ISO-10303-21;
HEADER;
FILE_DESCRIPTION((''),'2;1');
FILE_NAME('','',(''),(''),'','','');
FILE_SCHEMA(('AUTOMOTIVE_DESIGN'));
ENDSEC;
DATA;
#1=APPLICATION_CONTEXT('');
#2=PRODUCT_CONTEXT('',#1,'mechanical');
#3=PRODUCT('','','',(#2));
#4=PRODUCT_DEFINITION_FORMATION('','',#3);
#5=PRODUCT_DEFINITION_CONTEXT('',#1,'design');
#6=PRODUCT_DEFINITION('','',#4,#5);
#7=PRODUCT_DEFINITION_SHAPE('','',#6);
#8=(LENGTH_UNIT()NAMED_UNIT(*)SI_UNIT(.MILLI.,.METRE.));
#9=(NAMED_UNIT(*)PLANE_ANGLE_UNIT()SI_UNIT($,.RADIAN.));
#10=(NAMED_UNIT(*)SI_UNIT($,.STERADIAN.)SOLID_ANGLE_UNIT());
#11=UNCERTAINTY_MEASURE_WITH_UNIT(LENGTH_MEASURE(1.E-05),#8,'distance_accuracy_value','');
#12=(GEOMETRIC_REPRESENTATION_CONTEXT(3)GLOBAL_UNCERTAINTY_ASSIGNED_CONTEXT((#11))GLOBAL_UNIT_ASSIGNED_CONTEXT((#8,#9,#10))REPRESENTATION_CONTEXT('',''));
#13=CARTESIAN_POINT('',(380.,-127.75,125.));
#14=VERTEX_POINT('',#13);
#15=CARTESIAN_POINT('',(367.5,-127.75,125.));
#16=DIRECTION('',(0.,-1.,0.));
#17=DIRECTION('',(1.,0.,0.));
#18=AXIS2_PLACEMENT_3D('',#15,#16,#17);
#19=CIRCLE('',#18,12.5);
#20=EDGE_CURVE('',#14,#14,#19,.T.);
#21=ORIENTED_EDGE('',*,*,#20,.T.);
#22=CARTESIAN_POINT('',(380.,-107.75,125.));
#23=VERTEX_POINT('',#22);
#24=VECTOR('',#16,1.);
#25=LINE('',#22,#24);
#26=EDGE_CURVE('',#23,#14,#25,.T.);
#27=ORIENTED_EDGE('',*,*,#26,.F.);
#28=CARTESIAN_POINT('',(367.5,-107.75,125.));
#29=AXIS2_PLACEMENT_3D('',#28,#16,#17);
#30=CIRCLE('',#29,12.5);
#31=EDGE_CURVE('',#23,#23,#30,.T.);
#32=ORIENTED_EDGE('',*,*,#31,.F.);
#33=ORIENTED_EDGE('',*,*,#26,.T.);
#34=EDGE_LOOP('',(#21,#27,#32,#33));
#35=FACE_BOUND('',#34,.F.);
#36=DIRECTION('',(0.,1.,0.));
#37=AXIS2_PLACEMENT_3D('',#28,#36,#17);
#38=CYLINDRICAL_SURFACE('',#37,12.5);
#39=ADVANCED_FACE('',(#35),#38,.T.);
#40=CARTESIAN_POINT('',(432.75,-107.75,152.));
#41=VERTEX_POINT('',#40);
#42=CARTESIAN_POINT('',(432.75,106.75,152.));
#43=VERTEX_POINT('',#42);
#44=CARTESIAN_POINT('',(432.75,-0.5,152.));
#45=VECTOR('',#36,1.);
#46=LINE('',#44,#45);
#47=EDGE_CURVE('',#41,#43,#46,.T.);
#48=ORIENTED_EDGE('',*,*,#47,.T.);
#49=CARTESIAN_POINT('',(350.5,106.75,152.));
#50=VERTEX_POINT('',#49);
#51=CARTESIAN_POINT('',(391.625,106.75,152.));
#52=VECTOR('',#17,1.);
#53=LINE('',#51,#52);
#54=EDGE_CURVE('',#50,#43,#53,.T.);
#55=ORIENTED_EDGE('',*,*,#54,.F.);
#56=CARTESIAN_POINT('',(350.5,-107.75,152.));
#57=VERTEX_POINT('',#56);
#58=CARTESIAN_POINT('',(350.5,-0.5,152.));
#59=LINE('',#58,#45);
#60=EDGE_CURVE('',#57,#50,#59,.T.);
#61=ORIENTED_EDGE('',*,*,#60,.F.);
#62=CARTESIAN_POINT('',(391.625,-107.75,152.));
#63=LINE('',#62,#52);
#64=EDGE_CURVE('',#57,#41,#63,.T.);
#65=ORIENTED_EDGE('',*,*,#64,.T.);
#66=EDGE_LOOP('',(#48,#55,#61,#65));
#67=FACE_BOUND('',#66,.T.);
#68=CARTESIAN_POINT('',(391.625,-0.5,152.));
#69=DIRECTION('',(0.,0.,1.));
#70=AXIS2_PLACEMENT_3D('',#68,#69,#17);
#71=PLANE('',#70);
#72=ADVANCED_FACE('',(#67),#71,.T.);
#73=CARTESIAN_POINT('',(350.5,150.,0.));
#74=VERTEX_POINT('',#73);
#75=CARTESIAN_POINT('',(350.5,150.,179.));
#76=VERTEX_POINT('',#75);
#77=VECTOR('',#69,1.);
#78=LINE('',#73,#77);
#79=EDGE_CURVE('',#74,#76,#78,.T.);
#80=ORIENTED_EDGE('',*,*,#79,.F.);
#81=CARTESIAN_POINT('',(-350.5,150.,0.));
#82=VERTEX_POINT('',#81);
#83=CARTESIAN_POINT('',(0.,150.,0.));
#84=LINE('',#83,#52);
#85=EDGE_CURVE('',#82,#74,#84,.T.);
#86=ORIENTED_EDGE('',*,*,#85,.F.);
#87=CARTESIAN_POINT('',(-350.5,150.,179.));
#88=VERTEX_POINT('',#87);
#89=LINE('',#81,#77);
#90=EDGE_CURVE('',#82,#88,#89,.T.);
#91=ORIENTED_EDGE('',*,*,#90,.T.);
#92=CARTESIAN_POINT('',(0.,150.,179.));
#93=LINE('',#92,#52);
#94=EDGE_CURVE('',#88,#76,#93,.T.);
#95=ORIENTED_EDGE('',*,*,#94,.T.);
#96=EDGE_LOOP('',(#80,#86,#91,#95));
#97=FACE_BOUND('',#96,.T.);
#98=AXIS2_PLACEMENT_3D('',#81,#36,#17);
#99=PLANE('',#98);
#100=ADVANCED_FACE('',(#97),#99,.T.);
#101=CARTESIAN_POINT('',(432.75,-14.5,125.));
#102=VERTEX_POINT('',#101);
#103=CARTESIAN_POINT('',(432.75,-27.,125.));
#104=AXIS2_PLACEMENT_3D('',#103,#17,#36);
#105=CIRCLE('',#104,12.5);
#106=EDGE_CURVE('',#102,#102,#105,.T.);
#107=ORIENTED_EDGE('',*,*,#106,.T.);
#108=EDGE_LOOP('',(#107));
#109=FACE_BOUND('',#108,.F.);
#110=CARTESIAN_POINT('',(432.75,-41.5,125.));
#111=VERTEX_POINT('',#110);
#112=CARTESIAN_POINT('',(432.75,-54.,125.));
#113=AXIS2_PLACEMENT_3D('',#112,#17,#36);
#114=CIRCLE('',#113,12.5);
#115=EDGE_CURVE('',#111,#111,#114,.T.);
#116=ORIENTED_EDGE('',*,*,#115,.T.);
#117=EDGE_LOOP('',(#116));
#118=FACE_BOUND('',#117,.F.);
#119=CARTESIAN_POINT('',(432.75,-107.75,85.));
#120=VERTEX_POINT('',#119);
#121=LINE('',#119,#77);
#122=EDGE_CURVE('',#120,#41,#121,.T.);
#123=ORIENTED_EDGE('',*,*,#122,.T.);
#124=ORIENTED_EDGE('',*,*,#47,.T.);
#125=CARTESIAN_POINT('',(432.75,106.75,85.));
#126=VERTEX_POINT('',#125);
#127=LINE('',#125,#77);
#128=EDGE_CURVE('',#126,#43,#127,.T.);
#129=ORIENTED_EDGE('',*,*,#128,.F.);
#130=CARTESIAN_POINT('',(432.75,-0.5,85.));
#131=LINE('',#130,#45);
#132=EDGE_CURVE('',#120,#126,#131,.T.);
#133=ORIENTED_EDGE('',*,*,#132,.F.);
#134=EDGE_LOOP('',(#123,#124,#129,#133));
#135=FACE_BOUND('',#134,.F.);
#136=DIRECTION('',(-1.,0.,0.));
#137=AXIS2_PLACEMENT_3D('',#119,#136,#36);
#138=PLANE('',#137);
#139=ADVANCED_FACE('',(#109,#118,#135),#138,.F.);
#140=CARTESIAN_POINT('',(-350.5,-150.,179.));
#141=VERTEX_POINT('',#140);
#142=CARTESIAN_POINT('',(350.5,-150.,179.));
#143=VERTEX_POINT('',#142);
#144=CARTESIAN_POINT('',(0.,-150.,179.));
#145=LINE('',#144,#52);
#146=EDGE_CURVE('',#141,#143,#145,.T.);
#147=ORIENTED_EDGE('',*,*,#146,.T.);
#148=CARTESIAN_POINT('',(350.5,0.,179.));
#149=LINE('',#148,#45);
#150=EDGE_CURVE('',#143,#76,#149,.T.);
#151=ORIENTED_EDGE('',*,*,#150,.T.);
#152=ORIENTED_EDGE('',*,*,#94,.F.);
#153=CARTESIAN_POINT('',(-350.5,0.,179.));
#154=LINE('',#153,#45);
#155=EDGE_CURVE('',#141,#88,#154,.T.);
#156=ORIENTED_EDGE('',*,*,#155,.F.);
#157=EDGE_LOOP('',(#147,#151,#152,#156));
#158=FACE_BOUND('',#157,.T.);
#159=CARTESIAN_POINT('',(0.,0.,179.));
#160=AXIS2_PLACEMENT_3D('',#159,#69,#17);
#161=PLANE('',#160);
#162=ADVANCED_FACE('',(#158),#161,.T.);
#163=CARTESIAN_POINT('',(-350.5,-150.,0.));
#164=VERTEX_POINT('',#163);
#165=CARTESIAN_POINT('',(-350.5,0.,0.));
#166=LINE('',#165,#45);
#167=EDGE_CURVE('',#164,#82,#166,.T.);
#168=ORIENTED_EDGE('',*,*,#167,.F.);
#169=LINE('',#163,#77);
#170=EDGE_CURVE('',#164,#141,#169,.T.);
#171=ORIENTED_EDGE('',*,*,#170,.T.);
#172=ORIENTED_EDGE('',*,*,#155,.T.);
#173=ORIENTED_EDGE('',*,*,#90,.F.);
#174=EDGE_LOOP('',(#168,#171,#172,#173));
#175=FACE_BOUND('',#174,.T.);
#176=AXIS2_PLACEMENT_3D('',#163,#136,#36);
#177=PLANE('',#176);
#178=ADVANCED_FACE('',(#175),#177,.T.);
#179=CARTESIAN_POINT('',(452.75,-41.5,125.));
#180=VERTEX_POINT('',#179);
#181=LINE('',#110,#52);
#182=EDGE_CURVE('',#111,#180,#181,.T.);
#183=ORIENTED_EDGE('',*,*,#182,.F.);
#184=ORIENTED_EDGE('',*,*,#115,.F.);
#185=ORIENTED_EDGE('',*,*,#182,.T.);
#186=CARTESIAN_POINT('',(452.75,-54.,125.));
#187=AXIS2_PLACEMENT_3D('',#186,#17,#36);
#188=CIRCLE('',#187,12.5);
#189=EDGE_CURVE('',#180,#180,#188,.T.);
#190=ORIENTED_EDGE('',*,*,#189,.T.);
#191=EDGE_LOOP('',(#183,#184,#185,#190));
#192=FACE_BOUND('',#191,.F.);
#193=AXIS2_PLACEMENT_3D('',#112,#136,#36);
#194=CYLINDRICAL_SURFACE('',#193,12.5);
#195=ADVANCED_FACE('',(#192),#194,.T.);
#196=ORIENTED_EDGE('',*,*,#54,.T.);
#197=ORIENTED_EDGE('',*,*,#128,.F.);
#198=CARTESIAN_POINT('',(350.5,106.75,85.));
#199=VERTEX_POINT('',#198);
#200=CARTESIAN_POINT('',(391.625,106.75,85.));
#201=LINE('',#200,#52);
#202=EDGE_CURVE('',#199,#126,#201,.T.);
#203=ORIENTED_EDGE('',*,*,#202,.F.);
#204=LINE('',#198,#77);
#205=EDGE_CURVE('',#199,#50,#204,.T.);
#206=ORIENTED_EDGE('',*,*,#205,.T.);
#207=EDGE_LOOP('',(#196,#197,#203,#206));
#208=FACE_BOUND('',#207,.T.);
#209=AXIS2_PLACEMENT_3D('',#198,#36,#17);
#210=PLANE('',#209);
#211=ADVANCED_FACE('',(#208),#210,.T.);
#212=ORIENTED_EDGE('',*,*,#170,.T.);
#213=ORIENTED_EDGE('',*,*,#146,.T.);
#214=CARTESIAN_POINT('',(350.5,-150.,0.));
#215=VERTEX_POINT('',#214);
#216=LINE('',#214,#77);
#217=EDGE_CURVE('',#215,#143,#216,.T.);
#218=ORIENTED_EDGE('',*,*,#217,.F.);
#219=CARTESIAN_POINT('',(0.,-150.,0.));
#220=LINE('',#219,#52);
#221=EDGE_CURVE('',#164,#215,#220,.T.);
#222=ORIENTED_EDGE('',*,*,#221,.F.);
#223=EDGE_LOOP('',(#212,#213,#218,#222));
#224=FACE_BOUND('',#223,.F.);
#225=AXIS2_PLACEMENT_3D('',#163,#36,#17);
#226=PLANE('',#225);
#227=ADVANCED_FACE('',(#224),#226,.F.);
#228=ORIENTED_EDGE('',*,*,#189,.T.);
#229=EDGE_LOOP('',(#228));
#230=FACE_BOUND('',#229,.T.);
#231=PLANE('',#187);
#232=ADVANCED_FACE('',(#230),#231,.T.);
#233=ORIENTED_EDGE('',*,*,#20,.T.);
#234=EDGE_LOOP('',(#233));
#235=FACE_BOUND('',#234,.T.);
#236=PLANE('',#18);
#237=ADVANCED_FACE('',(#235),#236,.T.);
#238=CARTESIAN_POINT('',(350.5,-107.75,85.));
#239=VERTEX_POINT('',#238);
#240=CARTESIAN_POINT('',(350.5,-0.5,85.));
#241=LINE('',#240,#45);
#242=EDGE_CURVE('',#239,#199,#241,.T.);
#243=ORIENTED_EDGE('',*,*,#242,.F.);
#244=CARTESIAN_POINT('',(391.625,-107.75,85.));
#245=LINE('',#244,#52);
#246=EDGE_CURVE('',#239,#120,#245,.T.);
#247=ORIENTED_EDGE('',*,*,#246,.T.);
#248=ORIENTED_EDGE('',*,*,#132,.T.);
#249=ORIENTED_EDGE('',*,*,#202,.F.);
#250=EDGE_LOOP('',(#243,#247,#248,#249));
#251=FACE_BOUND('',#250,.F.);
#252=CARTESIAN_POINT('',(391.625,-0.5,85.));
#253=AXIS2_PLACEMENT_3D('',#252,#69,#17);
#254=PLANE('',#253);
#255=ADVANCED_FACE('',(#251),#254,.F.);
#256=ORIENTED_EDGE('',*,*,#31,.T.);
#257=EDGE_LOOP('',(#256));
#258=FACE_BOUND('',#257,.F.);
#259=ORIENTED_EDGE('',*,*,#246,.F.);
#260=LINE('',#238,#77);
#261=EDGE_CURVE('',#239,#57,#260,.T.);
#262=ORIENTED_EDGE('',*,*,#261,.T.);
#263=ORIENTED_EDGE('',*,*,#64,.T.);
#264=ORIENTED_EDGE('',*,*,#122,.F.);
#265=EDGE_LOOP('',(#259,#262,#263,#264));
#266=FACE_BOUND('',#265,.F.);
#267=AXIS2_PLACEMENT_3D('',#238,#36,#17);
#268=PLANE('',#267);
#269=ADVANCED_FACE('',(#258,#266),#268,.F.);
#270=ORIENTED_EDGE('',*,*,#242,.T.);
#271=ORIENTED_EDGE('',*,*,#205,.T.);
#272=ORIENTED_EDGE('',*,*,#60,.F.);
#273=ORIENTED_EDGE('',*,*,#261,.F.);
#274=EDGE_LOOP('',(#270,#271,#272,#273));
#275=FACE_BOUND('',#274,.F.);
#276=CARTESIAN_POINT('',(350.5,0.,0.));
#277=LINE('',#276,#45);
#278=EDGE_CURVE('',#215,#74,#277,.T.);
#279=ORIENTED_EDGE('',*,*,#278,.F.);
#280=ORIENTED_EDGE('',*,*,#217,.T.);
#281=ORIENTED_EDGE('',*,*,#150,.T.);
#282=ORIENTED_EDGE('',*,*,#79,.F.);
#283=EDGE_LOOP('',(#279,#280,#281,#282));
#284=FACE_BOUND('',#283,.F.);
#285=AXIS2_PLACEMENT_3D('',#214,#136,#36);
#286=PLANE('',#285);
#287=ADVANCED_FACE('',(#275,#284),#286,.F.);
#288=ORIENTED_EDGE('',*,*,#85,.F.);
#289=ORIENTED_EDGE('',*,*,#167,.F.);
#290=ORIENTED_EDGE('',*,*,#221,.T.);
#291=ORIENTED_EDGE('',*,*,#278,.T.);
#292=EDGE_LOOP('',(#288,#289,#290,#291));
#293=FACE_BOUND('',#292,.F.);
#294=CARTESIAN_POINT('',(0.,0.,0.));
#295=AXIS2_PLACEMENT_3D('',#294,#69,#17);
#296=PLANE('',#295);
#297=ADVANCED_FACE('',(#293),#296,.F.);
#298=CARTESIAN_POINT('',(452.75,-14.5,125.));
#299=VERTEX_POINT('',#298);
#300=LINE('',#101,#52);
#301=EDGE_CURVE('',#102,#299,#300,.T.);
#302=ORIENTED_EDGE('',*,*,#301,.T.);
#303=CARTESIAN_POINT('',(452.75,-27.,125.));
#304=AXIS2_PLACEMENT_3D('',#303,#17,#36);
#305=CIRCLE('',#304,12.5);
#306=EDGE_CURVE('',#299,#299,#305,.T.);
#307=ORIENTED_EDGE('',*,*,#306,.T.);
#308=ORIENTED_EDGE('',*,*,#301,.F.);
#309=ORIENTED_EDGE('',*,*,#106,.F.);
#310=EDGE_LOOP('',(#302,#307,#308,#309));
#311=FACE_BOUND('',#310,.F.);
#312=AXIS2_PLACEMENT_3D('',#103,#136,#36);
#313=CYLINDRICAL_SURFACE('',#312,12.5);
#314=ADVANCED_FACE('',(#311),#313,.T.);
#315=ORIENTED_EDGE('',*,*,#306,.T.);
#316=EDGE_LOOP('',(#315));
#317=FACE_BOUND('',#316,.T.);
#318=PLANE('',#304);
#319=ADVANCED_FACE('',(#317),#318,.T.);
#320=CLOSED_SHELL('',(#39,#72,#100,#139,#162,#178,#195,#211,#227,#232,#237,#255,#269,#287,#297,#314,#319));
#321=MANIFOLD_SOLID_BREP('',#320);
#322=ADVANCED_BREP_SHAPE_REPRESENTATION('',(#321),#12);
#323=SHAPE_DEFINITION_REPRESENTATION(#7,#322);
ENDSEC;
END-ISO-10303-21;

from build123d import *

# Parameters (mm, degrees)
SKETCH_W     = 701
SKETCH_H     = 300
PAD_DEPTH    = 179
SKETCH001_W  = 82.25
SKETCH001_H  = 214.5
PAD001_DEPTH = 67
SKETCH002_R  = 12.5
PAD002_DEPTH = 20
SKETCH003_R  = 12.5
PAD003_DEPTH = 20


with BuildPart() as part:
    # Sketch → Pad (new body)
    with BuildSketch(Plane.XY):
        Rectangle(SKETCH_W, SKETCH_H)
    extrude(amount=PAD_DEPTH)

    # Sketch001 → Pad001 (join)
    with BuildSketch(Plane.XY.offset(85)):
        with Locations((391.625, -0.5)):
            Rectangle(SKETCH001_W, SKETCH001_H)
    extrude(amount=PAD001_DEPTH)

    # Sketch002 → Pad002 (join)
    with BuildSketch(Plane.YZ.offset(432.75)):
        with Locations((-54, 125)):
            Circle(SKETCH002_R)
        with Locations((-27, 125)):
            Circle(SKETCH002_R)
    extrude(amount=PAD002_DEPTH)

    # Sketch003 → Pad003 (join)
    with BuildSketch(Plane.XZ.offset(107.75)):
        with Locations((367.5, 125)):
            Circle(SKETCH003_R)
    extrude(amount=PAD003_DEPTH)


solid = part.part
